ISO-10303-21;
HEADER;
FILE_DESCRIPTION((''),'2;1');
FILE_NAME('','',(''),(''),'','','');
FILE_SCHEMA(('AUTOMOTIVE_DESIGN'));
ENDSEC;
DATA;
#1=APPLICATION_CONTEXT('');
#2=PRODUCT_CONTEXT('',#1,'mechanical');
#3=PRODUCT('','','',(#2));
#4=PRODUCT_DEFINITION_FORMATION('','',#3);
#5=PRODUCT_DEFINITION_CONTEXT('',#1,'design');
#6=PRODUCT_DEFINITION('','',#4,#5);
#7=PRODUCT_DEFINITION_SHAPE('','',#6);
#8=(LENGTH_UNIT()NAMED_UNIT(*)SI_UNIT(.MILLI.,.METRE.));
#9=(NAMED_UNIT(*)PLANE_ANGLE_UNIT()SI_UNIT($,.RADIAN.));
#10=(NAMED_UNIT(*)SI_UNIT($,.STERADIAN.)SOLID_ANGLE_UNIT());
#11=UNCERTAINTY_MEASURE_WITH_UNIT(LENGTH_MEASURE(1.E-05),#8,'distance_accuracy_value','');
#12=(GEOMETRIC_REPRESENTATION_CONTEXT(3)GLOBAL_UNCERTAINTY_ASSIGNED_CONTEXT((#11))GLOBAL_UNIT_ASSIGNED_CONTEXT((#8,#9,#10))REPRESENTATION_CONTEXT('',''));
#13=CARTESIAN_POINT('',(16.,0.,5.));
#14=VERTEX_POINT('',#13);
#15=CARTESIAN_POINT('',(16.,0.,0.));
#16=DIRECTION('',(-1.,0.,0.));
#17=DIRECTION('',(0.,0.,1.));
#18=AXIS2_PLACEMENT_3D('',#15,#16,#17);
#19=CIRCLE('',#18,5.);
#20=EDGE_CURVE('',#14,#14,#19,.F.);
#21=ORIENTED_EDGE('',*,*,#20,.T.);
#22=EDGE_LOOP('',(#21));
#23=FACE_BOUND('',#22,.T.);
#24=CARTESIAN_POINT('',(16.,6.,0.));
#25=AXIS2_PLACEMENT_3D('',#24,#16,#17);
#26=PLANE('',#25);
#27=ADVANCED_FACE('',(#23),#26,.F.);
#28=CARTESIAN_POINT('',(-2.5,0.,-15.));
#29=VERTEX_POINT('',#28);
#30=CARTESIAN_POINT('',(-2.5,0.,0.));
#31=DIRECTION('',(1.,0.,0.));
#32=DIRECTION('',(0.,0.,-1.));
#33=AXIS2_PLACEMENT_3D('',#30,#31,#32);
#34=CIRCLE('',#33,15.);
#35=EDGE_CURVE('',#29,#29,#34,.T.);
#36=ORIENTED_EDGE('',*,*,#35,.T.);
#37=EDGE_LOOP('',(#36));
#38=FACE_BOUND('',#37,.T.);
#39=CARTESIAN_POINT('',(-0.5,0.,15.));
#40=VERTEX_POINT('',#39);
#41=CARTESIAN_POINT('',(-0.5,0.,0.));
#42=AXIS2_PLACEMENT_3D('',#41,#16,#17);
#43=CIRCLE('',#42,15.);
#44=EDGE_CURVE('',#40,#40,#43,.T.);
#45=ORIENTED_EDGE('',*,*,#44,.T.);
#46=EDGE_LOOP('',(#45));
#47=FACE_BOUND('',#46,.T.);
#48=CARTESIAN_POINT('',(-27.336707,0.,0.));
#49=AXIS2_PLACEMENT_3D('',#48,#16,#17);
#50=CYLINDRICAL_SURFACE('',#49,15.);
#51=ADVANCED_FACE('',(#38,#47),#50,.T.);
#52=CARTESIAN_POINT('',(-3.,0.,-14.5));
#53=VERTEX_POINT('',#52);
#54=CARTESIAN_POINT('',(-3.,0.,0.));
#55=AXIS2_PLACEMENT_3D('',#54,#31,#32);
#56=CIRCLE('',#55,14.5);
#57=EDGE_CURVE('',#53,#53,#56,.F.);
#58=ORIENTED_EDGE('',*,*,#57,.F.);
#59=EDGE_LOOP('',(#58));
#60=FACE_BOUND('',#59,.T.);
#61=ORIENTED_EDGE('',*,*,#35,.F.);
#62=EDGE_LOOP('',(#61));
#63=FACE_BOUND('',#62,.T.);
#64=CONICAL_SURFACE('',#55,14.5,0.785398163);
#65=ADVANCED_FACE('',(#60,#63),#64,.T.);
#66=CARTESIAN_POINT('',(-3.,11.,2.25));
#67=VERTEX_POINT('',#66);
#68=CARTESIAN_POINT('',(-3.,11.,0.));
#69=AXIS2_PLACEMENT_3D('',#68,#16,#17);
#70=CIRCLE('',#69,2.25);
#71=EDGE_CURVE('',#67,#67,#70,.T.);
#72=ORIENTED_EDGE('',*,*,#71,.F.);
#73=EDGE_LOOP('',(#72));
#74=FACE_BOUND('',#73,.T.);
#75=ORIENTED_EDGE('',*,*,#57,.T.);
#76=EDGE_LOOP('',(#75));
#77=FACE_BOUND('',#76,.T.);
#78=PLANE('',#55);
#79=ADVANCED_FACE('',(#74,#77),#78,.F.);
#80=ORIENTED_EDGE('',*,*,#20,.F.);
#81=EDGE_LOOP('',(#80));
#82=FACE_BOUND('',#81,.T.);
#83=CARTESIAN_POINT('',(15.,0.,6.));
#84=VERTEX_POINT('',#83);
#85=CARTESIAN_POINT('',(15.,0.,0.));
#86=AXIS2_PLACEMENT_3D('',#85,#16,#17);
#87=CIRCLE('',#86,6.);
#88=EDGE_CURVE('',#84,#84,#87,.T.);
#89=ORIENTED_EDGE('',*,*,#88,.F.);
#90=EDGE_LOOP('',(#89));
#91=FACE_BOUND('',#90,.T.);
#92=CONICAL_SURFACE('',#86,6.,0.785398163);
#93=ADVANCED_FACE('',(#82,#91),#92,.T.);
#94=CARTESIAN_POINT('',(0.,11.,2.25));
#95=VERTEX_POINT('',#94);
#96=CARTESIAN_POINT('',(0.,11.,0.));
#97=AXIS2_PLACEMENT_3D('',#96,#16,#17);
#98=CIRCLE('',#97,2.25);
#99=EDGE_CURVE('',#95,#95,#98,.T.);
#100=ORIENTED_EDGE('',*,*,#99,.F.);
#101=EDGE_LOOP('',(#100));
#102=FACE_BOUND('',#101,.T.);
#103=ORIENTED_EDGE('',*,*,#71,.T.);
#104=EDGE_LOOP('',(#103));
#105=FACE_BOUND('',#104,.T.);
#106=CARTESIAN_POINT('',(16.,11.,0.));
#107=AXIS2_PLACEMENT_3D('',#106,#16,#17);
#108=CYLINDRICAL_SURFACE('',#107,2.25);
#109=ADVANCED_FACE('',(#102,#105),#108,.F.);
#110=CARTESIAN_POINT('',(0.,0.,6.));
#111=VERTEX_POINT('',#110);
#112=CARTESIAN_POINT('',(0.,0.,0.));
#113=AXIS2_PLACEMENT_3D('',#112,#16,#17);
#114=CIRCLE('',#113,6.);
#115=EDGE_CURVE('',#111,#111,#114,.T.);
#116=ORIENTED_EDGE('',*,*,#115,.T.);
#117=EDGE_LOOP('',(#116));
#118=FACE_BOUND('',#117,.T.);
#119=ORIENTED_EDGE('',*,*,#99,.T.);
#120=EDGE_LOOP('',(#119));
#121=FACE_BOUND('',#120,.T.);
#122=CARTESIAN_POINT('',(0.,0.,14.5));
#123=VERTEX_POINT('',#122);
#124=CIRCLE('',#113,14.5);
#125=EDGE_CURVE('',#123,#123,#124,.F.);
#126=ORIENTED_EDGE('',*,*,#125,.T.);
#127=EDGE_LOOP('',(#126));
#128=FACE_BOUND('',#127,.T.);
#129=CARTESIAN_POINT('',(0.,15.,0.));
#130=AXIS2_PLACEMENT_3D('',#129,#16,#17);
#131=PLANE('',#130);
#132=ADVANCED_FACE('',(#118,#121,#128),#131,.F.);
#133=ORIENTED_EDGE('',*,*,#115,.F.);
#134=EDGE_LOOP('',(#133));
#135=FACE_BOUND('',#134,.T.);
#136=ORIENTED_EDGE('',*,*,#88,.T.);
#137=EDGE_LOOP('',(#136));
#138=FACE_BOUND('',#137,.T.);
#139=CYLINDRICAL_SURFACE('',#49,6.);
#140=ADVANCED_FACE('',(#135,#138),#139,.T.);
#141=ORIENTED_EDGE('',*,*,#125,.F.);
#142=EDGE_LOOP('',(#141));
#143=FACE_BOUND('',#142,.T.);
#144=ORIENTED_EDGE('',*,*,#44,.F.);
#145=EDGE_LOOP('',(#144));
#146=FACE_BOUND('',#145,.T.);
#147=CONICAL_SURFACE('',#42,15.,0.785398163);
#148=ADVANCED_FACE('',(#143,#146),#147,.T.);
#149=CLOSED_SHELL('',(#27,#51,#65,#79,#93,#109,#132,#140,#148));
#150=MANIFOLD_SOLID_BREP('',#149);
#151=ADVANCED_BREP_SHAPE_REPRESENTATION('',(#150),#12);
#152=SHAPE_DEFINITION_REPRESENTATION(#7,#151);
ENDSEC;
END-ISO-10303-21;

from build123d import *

# Parameters (mm, degrees)
CHANFREIN1_SIZE         = 1
CHANFREIN2_SIZE         = 0.5
ESQUISSE2_R             = 2.25
ENL_V_MAT_EXTRU_1_DEPTH = 29.478061732


with BuildPart() as part:
    # Esquisse1 → Base-Révolution (revolve)
    with BuildSketch(Plane.XY, mode=Mode.PRIVATE) as base_r_volution_sk:
        Polygon((-3, 0), (-3, 15), (0, 15), (0, 6), (16, 6), (16, 0), align=None)
    revolve(base_r_volution_sk.sketch.rotate(Axis((-27.336707152, 0, 0), (1, 0, 0)), 90), axis=Axis((-27.336707152, 0, 0), (1, 0, 0)))

    # Chanfrein1
    chanfrein1_edges = [part.edges().sort_by_distance(p)[0] for p in [
        (16, 0, -6),
    ]]
    chamfer(chanfrein1_edges, length=CHANFREIN1_SIZE)

    # Chanfrein2
    chanfrein2_edges = [part.edges().sort_by_distance(p)[0] for p in [
        (-3, 0, -15),
        (0, 0, -15),
    ]]
    chamfer(chanfrein2_edges, length=CHANFREIN2_SIZE)

    # Esquisse2 → Enlèv. mat.-Extru.1 (cut, through all)
    with BuildSketch(Plane.ZY.offset(3)):
        with Locations((0, 11)):
            Circle(ESQUISSE2_R)
    extrude(amount=-ENL_V_MAT_EXTRU_1_DEPTH, mode=Mode.SUBTRACT)


solid = part.part
